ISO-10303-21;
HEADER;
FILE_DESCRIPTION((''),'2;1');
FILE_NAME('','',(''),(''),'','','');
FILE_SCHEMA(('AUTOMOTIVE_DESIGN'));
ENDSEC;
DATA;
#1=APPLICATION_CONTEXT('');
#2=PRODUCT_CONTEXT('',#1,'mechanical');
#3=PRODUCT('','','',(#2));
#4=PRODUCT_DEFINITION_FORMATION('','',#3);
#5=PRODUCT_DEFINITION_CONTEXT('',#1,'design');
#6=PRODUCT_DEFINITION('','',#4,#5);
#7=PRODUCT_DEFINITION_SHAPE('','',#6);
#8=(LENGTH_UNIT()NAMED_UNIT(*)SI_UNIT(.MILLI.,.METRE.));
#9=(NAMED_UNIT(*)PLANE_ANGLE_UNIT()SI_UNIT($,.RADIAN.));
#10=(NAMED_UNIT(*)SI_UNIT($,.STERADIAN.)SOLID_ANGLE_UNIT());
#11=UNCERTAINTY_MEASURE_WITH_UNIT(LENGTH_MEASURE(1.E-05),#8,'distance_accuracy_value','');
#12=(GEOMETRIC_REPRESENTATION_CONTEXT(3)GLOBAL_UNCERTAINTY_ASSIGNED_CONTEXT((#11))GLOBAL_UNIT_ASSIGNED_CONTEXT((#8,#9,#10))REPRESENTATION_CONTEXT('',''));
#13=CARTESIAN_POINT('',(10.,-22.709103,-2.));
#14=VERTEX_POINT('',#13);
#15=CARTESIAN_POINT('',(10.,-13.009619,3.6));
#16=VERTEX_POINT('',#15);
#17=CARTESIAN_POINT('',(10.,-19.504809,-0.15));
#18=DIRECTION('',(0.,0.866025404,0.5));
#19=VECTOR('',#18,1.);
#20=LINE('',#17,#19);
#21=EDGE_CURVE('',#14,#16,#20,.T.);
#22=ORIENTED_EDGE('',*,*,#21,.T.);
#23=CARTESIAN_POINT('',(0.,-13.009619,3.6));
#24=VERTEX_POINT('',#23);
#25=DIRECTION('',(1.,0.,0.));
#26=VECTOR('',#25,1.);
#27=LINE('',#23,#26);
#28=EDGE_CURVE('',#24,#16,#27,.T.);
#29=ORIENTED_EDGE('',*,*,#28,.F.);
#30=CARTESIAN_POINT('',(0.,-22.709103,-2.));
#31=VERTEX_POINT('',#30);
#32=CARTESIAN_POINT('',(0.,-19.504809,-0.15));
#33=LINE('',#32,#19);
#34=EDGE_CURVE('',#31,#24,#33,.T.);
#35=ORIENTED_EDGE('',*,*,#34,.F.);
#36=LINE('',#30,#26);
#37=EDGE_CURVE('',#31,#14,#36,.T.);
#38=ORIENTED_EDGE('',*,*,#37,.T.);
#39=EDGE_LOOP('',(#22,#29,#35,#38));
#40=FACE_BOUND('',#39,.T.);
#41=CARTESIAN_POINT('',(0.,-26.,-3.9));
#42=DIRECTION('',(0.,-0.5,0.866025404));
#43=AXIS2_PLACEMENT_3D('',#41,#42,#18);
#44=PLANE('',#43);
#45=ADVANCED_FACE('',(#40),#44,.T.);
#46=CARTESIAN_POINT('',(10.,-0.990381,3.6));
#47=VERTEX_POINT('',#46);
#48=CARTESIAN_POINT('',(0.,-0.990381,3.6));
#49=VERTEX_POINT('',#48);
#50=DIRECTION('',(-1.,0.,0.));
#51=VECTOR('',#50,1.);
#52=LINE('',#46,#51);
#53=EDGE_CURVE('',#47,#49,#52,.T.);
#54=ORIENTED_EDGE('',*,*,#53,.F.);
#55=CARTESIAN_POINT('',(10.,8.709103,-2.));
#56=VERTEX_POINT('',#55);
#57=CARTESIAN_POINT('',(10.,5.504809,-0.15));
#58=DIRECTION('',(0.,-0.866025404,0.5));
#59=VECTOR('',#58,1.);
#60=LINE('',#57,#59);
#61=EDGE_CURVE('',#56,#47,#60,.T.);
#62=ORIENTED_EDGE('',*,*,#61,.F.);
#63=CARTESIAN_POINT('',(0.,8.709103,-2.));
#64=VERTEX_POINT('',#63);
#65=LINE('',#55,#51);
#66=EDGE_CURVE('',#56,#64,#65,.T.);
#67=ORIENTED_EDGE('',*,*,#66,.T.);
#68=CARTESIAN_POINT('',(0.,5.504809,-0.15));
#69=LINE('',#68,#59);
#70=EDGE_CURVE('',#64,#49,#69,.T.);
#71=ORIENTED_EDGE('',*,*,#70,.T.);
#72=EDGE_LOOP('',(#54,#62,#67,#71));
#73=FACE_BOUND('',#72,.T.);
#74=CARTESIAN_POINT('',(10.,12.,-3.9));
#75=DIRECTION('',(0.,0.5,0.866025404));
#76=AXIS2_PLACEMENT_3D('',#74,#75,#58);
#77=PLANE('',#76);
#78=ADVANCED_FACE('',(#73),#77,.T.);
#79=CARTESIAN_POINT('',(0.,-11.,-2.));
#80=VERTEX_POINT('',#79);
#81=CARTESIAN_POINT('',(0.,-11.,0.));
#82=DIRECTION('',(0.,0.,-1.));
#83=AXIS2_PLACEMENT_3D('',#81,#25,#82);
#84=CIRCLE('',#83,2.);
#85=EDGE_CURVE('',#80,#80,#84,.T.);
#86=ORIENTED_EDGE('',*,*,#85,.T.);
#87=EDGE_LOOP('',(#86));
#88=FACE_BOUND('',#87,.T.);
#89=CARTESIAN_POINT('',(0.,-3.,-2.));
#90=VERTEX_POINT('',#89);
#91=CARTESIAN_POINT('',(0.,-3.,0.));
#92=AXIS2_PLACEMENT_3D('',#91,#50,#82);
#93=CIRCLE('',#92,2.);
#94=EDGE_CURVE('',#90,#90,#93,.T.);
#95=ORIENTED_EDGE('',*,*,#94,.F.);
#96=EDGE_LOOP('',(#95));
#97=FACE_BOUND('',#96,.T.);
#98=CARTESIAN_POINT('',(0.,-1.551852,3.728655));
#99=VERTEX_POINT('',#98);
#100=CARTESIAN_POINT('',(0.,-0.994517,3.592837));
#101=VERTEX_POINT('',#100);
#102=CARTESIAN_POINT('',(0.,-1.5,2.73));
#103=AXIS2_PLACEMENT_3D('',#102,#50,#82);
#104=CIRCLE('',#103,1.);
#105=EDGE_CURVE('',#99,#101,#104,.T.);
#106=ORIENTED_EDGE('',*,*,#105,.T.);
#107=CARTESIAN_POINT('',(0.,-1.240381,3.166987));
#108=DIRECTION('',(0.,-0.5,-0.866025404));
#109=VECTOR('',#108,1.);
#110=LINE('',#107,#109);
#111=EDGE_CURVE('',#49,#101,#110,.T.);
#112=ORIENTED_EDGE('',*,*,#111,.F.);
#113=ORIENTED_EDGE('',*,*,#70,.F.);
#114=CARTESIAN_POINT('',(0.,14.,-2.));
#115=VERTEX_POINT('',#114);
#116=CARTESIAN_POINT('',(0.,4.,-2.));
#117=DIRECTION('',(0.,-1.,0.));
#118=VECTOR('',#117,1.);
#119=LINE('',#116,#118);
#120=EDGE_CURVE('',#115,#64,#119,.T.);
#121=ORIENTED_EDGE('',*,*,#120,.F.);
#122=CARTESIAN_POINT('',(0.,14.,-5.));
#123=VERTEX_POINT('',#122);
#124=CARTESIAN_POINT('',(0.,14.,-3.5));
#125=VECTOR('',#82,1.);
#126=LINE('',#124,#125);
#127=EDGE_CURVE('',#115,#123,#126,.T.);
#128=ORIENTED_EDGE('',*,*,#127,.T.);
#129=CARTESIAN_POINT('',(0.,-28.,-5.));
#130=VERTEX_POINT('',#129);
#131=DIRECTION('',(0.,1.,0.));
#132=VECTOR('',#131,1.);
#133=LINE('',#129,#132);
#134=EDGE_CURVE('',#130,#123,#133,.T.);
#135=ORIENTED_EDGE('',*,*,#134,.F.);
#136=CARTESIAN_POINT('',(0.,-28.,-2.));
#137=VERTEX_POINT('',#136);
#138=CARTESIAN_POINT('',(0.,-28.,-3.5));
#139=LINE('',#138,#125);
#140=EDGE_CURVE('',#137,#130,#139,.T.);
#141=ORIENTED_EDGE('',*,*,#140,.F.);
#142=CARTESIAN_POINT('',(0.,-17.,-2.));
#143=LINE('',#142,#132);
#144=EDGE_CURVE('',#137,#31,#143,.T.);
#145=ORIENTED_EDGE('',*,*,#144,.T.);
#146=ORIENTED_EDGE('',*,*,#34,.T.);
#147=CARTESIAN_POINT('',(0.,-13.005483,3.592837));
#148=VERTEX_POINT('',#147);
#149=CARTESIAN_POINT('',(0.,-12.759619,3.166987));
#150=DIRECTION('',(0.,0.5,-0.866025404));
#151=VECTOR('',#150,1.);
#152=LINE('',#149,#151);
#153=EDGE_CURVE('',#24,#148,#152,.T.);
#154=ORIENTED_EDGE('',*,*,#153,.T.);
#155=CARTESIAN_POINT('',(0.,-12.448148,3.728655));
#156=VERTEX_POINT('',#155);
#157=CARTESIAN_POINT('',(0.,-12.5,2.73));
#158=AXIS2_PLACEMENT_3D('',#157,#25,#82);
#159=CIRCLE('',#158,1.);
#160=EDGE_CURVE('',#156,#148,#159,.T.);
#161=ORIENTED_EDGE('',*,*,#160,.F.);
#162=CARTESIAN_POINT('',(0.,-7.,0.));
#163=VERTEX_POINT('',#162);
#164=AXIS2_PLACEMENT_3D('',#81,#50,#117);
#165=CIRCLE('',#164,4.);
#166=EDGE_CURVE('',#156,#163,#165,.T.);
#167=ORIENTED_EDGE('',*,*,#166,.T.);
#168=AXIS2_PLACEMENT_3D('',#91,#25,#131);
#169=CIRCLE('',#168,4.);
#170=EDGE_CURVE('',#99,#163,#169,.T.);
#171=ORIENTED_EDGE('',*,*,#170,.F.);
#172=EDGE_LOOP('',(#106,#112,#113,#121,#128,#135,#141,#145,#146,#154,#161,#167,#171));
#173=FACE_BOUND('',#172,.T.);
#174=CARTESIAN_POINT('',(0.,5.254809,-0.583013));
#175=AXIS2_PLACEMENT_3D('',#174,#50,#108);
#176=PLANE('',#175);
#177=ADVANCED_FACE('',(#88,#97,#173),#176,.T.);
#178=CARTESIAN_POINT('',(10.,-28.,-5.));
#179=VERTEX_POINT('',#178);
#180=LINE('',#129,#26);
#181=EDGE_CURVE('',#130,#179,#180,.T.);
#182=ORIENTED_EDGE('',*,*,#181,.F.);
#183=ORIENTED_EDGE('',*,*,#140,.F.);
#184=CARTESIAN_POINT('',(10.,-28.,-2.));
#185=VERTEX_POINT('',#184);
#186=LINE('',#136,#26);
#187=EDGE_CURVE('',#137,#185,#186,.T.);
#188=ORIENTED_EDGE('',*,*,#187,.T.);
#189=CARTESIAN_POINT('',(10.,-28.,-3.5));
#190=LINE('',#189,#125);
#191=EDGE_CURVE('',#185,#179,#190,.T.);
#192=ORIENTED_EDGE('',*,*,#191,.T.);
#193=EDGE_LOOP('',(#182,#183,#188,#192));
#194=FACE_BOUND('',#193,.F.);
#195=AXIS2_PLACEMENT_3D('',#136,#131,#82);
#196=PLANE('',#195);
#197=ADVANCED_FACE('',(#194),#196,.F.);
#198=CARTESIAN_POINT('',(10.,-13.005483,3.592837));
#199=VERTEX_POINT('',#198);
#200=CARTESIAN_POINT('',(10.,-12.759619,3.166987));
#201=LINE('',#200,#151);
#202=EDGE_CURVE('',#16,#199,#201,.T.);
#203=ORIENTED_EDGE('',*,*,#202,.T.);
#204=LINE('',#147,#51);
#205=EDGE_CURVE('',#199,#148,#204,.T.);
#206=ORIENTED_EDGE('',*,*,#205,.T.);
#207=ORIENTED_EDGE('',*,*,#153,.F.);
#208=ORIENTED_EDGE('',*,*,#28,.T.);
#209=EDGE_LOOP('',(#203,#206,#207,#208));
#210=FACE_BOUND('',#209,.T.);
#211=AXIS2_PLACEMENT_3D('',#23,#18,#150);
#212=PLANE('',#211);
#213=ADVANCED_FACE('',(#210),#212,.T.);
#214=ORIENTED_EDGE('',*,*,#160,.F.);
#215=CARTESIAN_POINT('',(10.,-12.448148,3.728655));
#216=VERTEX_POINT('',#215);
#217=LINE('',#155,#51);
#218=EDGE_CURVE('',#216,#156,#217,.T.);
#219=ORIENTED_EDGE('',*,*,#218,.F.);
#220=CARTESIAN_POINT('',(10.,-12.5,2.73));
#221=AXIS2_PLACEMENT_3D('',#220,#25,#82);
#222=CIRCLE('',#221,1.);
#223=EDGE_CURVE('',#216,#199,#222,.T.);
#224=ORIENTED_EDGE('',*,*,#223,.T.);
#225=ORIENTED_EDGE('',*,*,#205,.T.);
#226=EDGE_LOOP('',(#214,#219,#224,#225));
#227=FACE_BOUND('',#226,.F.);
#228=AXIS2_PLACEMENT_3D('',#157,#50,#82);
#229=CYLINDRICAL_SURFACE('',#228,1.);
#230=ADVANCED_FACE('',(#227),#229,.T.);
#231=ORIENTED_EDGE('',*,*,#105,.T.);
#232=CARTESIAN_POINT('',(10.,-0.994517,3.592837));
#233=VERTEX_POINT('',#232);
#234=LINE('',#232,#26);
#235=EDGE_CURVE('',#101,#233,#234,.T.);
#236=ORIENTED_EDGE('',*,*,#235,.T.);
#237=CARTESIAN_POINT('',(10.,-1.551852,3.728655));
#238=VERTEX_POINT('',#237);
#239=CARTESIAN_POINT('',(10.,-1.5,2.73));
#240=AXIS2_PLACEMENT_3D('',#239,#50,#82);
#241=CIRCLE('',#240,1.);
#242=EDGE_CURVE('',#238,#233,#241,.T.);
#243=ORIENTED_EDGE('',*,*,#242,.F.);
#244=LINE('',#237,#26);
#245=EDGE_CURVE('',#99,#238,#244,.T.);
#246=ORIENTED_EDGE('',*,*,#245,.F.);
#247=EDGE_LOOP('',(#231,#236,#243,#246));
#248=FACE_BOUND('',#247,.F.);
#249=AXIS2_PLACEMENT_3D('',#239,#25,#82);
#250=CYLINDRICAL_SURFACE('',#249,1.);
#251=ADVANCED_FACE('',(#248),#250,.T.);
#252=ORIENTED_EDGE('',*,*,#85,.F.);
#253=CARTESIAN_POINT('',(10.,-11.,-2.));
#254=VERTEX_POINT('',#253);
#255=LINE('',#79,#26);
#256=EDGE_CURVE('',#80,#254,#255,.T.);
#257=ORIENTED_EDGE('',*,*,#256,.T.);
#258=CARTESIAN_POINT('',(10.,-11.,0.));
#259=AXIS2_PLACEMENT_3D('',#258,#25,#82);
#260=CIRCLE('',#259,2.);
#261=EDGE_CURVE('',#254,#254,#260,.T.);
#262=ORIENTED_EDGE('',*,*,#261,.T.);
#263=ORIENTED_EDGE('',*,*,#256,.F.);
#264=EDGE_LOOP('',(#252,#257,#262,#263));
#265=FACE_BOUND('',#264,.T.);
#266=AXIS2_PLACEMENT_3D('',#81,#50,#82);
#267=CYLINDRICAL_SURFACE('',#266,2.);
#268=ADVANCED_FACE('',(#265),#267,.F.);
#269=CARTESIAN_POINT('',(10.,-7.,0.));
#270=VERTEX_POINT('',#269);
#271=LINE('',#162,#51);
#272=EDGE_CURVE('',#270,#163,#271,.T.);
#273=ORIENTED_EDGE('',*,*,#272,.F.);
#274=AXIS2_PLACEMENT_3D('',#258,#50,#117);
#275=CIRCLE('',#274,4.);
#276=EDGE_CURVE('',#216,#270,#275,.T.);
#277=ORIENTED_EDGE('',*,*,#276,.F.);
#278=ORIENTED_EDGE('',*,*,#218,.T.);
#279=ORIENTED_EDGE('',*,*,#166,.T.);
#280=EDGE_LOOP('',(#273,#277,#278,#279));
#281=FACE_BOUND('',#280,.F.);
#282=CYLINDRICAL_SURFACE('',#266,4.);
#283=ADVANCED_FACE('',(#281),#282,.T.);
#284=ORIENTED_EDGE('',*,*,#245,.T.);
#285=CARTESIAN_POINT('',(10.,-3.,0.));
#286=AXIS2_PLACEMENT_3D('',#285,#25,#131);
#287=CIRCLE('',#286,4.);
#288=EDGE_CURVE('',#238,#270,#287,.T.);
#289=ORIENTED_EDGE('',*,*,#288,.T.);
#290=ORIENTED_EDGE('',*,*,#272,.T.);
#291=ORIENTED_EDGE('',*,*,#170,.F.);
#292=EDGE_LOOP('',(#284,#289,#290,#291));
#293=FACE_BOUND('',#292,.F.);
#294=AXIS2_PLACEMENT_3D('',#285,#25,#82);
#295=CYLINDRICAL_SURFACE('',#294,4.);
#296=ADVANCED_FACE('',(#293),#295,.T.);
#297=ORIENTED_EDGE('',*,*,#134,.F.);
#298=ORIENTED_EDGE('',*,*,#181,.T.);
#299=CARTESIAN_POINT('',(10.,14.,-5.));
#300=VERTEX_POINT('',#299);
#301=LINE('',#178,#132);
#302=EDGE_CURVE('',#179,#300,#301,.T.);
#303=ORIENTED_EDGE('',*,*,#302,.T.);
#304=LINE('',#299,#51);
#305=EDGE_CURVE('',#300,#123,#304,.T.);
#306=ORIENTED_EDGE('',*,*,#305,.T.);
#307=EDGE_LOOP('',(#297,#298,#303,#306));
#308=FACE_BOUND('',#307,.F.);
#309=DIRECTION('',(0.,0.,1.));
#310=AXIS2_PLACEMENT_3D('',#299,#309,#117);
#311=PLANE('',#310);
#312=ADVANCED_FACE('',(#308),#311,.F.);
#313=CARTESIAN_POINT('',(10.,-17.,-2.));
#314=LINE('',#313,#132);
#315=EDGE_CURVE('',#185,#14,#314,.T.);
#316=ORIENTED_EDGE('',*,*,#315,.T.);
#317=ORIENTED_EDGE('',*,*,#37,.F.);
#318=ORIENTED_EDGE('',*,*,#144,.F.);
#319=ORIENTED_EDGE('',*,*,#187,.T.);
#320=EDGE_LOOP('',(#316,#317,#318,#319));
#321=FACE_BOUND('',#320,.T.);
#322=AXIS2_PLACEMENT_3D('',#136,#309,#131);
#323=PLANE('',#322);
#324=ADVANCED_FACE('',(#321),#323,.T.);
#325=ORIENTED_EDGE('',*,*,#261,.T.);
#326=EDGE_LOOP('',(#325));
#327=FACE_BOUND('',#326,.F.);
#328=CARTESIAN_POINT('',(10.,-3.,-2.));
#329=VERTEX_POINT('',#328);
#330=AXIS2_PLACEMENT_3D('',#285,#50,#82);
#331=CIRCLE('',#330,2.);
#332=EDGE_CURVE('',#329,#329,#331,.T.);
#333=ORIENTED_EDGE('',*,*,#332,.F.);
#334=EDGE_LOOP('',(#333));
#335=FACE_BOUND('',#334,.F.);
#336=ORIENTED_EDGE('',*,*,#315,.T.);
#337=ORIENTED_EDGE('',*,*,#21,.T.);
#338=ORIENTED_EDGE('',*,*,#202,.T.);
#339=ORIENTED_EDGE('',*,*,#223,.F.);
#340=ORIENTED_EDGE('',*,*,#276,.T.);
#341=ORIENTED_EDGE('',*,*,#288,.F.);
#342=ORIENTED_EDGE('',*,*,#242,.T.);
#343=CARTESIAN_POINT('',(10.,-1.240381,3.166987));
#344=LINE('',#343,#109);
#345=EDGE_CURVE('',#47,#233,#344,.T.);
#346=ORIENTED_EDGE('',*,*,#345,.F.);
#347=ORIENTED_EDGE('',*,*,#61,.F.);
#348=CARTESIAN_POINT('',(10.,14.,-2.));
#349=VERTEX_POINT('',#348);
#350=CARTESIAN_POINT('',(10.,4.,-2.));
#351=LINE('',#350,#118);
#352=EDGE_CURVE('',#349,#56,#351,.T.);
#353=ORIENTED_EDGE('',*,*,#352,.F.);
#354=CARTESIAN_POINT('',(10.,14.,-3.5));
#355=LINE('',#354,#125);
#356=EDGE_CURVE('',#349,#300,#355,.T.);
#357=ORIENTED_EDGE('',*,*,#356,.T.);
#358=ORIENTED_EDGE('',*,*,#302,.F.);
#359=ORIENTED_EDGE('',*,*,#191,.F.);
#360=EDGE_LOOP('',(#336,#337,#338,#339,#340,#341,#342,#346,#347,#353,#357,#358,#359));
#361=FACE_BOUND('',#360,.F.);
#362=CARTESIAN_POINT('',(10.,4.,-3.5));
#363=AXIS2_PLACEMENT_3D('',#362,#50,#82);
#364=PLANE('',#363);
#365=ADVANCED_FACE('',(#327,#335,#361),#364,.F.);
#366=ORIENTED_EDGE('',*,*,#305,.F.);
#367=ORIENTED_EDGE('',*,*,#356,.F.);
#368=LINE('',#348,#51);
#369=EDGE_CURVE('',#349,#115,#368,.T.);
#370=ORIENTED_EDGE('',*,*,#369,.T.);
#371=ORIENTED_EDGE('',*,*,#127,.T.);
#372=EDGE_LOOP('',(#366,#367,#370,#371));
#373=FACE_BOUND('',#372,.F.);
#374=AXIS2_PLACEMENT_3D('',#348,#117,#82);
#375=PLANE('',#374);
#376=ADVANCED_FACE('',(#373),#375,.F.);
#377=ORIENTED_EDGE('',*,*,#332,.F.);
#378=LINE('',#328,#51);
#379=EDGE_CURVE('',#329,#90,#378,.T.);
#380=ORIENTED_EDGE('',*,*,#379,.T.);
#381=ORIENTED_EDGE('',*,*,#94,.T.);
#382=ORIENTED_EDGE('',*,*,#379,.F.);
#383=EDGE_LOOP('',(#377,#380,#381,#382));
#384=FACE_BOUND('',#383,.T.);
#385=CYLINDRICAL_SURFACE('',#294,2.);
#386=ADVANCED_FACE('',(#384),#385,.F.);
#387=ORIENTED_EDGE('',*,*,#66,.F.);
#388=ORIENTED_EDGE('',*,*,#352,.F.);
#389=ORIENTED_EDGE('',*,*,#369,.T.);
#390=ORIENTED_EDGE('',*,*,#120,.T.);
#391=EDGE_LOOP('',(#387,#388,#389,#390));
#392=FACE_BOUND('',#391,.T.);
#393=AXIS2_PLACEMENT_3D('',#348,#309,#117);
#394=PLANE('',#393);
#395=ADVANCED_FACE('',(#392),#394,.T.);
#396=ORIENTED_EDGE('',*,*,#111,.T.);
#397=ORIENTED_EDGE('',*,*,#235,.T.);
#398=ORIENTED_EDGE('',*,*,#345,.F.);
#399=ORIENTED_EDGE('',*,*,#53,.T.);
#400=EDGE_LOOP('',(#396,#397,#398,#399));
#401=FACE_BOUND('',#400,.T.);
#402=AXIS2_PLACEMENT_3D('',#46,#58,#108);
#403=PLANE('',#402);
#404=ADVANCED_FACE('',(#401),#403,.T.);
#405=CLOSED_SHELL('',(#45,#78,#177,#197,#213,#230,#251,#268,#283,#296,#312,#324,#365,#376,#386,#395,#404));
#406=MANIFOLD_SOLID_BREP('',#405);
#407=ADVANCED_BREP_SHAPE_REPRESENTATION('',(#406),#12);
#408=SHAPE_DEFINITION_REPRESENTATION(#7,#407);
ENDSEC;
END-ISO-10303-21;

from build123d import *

# Parameters (mm, degrees)
CYLINDER033_R             = 2
CYLINDER033_DEPTH         = 10
CYLINDER031_R             = 2
CYLINDER031_DEPTH         = 10
CYLINDER032_R             = 1
CYLINDER032_DEPTH         = 10
BOX031_W                  = 3
BOX031_H                  = 20
BOX031_DEPTH              = 10
BOX032_W                  = 1
BOX032_H                  = 15
BOX032_DEPTH              = 10
BOX032_PLACEMENT_ANGLE    = 30
BOX033_W                  = 3.3
BOX033_H                  = 8
BOX033_DEPTH              = 10
BOX033_PLACEMENT_ANGLE    = 30
CYLINDER029_R             = 2
CYLINDER029_DEPTH         = 10
CYLINDER030_R             = 4
CYLINDER030_DEPTH         = 10
FUSION024_PLACEMENT_ANGLE = 180
CYLINDER027_R             = 2
CYLINDER027_DEPTH         = 10
CYLINDER028_R             = 1
CYLINDER028_DEPTH         = 10
BOX028_W                  = 3
BOX028_H                  = 22
BOX028_DEPTH              = 10
BOX029_W                  = 1
BOX029_H                  = 15
BOX029_DEPTH              = 10
BOX029_PLACEMENT_ANGLE    = 30
BOX030_W                  = 3.3
BOX030_H                  = 8
BOX030_DEPTH              = 10
BOX030_PLACEMENT_ANGLE    = 30
CYLINDER025_R             = 2
CYLINDER025_DEPTH         = 10
CYLINDER026_R             = 4
CYLINDER026_DEPTH         = 10
FUSION026_PITCH_ANGLE     = 90


with BuildPart() as zylinder024:
    # Cylinder033 → Cylinder033 (new body)
    with BuildSketch(Plane(origin=(2, -7, 0), x_dir=(1, 0, 0), z_dir=(0, 0, 1))):
        Circle(CYLINDER033_R)
    extrude(amount=CYLINDER033_DEPTH)


with BuildPart() as zylinder022:
    # Cylinder031 → Cylinder031 (new body)
    with BuildSketch(Plane(origin=(2, -15, 0), x_dir=(1, 0, 0), z_dir=(0, 0, 1))):
        Circle(CYLINDER031_R)
    extrude(amount=CYLINDER031_DEPTH)


with BuildPart() as zylinder023:
    # Cylinder032 → Cylinder032 (new body)
    with BuildSketch(Plane(origin=(-2.73, -12.5, 0), x_dir=(1, 0, 0), z_dir=(0, 0, 1))):
        Circle(CYLINDER032_R)
    extrude(amount=CYLINDER032_DEPTH)


with BuildPart() as w_rfel030:
    # Box031 → Box031 (new body)
    with BuildSketch(Plane(origin=(2, -28, 0), x_dir=(1, 0, 0), z_dir=(0, 0, 1))):
        with Locations((1.5, 10)):
            Rectangle(BOX031_W, BOX031_H)
    extrude(amount=BOX031_DEPTH)


with BuildPart() as w_rfel031:
    # Box032 → Box032 (new body)
    with BuildSketch(Plane.XY):
        with Locations((0.5, 7.5)):
            Rectangle(BOX032_W, BOX032_H)
    extrude(amount=BOX032_DEPTH)


with BuildPart() as w_rfel031_1:
    # Box032 placement: moved
    add(w_rfel031.part.moved(Location((3.9, -26, 0))).rotate(Axis((3.9, -26, 0), (0, 0, 1)), BOX032_PLACEMENT_ANGLE))


with BuildPart() as w_rfel032:
    # Box033 → Box033 (new body)
    with BuildSketch(Plane.XY):
        with Locations((1.65, 4)):
            Rectangle(BOX033_W, BOX033_H)
    extrude(amount=BOX033_DEPTH)


with BuildPart() as w_rfel032_1:
    # Box033 placement: moved
    add(w_rfel032.part.moved(Location((2, -21.5, 0))).rotate(Axis((2, -21.5, 0), (0, 0, 1)), BOX033_PLACEMENT_ANGLE))


with BuildPart() as zylinder020:
    # Cylinder029 → Cylinder029 (new body)
    with BuildSketch(Plane.XY):
        Circle(CYLINDER029_R)
    extrude(amount=CYLINDER029_DEPTH)


with BuildPart() as fusion024:
    # Cylinder030 → Cylinder030 (new body)
    with BuildSketch(Plane.XY):
        Circle(CYLINDER030_R)
    extrude(amount=CYLINDER030_DEPTH)

    # Cut010: cut Zylinder020
    add(zylinder020.part, mode=Mode.SUBTRACT)


with BuildPart() as fusion024_1:
    # Cut010 placement: moved
    add(fusion024.part.moved(Location((0, -11, 0))))

    # Fusion024: union Zylinder022, Zylinder023, Würfel030, Würfel031, Würfel032
    add(zylinder022.part)
    add(zylinder023.part)
    add(w_rfel030.part)
    add(w_rfel031_1.part)
    add(w_rfel032_1.part)


with BuildPart() as fusion024_2:
    # Fusion024 placement: moved
    add(fusion024_1.part.moved(Location((0, -14, 10))).rotate(Axis((0, -14, 10), (1, 0, 0)), FUSION024_PLACEMENT_ANGLE))


with BuildPart() as zylinder018:
    # Cylinder027 → Cylinder027 (new body)
    with BuildSketch(Plane(origin=(2, -15, 0), x_dir=(1, 0, 0), z_dir=(0, 0, 1))):
        Circle(CYLINDER027_R)
    extrude(amount=CYLINDER027_DEPTH)


with BuildPart() as zylinder019:
    # Cylinder028 → Cylinder028 (new body)
    with BuildSketch(Plane(origin=(-2.73, -12.5, 0), x_dir=(1, 0, 0), z_dir=(0, 0, 1))):
        Circle(CYLINDER028_R)
    extrude(amount=CYLINDER028_DEPTH)


with BuildPart() as w_rfel027:
    # Box028 → Box028 (new body)
    with BuildSketch(Plane(origin=(2, -28, 0), x_dir=(1, 0, 0), z_dir=(0, 0, 1))):
        with Locations((1.5, 11)):
            Rectangle(BOX028_W, BOX028_H)
    extrude(amount=BOX028_DEPTH)


with BuildPart() as w_rfel028:
    # Box029 → Box029 (new body)
    with BuildSketch(Plane.XY):
        with Locations((0.5, 7.5)):
            Rectangle(BOX029_W, BOX029_H)
    extrude(amount=BOX029_DEPTH)


with BuildPart() as w_rfel028_1:
    # Box029 placement: moved
    add(w_rfel028.part.moved(Location((3.9, -26, 0))).rotate(Axis((3.9, -26, 0), (0, 0, 1)), BOX029_PLACEMENT_ANGLE))


with BuildPart() as w_rfel029:
    # Box030 → Box030 (new body)
    with BuildSketch(Plane.XY):
        with Locations((1.65, 4)):
            Rectangle(BOX030_W, BOX030_H)
    extrude(amount=BOX030_DEPTH)


with BuildPart() as w_rfel029_1:
    # Box030 placement: moved
    add(w_rfel029.part.moved(Location((2, -21.5, 0))).rotate(Axis((2, -21.5, 0), (0, 0, 1)), BOX030_PLACEMENT_ANGLE))


with BuildPart() as zylinder016:
    # Cylinder025 → Cylinder025 (new body)
    with BuildSketch(Plane.XY):
        Circle(CYLINDER025_R)
    extrude(amount=CYLINDER025_DEPTH)


with BuildPart() as fusion026:
    # Cylinder026 → Cylinder026 (new body)
    with BuildSketch(Plane.XY):
        Circle(CYLINDER026_R)
    extrude(amount=CYLINDER026_DEPTH)

    # Cut009: cut Zylinder016
    add(zylinder016.part, mode=Mode.SUBTRACT)


with BuildPart() as fusion026_1:
    # Cut009 placement: moved
    add(fusion026.part.moved(Location((0, -11, 0))))

    # Fusion023: union Zylinder018, Zylinder019, Würfel027, Würfel028, Würfel029
    add(zylinder018.part)
    add(zylinder019.part)
    add(w_rfel027.part)
    add(w_rfel028_1.part)
    add(w_rfel029_1.part)

    # Fusion025: union Fusion024
    add(fusion024_2.part)

    # Fusion026: union Zylinder024
    add(zylinder024.part)


with BuildPart() as fusion026_2:
    # Fusion026 pitch: moved
    add(fusion026_1.part.rotate(Axis((0, 0, 0), (0, 1, 0)), FUSION026_PITCH_ANGLE))


with BuildPart() as fusion026_3:
    # Fusion026 placement: moved
    add(fusion026_2.part)


solid = fusion026_3.part
